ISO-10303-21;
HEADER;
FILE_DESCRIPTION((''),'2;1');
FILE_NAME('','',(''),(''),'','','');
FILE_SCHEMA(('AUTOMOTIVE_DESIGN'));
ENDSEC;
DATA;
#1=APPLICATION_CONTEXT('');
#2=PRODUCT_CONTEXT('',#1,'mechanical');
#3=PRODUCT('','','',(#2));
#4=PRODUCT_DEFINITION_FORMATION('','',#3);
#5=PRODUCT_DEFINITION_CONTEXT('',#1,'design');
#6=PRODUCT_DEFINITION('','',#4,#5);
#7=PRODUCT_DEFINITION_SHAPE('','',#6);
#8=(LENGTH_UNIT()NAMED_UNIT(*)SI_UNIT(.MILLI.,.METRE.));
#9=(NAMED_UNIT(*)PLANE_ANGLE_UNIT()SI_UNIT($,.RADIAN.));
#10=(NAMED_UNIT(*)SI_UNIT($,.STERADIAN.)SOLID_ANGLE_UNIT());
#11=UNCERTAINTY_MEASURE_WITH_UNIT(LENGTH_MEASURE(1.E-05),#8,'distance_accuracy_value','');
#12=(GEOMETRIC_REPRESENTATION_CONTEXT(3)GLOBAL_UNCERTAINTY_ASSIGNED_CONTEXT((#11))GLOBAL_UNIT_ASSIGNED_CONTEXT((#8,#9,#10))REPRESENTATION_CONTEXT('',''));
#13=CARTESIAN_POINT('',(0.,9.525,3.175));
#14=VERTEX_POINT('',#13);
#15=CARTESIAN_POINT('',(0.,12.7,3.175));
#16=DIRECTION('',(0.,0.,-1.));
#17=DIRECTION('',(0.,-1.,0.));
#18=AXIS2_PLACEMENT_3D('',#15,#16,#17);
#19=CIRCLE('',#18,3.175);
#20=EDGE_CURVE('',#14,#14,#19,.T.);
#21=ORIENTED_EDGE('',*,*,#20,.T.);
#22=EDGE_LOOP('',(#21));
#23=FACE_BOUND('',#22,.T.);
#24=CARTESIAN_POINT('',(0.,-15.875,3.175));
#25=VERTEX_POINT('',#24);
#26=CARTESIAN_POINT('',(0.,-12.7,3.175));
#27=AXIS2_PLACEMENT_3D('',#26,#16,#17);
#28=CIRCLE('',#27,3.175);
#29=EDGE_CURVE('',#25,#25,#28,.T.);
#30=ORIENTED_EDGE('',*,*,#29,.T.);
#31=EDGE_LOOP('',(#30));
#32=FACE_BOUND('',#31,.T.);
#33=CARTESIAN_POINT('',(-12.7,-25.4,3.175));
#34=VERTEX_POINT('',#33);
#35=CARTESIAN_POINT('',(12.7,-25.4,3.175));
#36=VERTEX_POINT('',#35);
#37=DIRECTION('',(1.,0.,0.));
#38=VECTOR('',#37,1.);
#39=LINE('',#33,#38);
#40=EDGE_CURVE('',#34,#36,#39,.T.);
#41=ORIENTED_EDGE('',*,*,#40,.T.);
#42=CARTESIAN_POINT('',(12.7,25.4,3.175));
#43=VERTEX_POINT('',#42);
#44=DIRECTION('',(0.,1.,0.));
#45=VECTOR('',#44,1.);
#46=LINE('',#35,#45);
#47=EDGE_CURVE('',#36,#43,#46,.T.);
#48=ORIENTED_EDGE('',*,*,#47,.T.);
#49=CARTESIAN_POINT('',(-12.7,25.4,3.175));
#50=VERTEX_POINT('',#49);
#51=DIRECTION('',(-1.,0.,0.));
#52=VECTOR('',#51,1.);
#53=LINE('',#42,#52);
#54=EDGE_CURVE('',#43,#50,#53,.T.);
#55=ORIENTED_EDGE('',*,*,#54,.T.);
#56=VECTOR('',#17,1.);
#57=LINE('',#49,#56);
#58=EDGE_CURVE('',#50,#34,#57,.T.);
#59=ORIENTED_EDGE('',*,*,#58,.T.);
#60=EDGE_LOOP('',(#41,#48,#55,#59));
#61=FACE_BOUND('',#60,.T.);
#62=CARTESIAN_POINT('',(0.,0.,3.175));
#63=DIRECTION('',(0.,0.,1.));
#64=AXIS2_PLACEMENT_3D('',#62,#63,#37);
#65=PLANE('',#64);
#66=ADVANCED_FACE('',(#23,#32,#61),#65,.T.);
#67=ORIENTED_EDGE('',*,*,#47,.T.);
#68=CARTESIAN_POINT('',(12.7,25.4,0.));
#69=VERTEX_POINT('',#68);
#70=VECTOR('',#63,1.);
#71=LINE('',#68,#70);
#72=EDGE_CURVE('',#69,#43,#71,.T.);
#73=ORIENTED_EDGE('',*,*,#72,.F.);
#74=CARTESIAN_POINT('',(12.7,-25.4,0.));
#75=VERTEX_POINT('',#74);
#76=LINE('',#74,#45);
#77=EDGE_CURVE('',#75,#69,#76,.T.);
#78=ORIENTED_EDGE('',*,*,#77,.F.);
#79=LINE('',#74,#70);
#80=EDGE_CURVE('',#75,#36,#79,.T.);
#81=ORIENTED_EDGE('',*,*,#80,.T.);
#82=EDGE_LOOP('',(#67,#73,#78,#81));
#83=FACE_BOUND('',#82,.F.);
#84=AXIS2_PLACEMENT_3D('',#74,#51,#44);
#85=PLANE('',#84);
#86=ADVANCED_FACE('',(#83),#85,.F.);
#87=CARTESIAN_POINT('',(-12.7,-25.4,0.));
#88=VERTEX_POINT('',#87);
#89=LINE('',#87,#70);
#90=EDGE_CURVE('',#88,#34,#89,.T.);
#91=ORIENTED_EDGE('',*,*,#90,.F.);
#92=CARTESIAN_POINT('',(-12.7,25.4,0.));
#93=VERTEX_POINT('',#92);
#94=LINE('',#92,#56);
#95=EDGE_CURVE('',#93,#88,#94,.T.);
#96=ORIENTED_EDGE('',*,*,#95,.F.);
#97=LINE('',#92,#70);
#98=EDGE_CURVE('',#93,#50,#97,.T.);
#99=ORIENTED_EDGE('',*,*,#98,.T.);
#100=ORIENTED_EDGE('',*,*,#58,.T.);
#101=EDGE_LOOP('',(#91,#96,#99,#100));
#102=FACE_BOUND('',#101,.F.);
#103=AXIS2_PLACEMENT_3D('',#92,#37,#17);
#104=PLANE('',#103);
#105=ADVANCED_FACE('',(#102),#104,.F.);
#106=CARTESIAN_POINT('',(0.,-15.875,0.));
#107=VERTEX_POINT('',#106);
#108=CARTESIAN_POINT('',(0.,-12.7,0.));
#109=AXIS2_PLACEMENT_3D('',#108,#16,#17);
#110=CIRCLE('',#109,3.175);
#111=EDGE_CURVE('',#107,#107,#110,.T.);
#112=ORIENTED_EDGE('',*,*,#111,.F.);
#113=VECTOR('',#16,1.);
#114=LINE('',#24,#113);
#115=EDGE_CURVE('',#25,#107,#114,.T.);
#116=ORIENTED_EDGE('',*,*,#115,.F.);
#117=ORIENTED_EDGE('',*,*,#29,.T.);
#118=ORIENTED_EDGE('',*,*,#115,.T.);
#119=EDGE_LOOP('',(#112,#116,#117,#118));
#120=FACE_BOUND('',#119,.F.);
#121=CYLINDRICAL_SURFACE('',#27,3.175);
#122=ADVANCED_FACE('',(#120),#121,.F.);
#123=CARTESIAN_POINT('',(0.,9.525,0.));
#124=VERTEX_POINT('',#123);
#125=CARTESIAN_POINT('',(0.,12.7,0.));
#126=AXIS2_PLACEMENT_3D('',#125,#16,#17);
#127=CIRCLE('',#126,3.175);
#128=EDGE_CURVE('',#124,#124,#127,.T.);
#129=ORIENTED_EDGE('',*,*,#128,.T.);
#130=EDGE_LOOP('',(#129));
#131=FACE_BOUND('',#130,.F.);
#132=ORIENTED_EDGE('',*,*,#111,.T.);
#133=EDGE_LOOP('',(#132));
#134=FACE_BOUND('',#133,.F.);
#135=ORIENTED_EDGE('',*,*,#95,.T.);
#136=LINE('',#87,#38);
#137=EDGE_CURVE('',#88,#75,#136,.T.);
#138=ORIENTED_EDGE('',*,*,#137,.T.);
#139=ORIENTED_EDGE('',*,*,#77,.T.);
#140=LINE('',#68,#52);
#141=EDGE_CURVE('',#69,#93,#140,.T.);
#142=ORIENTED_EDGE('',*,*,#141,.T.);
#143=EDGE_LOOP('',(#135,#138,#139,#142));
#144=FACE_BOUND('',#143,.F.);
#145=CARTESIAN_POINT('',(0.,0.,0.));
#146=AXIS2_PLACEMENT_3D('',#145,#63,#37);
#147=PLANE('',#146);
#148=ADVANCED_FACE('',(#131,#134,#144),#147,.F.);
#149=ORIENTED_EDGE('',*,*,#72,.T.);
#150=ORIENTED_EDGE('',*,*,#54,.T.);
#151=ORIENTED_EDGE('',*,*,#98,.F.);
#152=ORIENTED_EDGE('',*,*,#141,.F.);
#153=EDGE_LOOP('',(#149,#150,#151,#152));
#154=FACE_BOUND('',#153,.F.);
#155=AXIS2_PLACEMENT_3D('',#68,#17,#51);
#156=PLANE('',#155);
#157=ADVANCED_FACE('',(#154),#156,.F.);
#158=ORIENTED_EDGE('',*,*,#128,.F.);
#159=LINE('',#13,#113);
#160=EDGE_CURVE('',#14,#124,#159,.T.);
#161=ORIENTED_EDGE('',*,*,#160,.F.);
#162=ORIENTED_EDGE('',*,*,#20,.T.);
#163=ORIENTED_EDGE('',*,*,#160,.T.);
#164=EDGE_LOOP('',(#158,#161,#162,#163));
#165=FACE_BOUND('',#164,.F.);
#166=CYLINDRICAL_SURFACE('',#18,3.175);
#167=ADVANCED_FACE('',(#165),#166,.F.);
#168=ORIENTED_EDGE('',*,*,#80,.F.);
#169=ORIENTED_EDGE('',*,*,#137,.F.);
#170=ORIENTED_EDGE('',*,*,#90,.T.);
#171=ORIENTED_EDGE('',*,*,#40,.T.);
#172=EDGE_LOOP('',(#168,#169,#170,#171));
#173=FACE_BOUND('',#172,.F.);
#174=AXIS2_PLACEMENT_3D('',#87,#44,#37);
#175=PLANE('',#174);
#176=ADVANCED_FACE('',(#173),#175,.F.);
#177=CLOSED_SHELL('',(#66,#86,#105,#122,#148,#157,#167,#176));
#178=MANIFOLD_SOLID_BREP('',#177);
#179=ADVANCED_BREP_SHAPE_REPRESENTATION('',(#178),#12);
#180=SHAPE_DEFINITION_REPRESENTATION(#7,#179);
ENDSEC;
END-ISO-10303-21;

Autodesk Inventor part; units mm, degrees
ref_plane "YZ Plane" through (0, 0, 0) normal (1, 0, 0) x (0, 1, 0)
ref_plane "XZ Plane" through (0, 0, 0) normal (0, 1, 0) x (-1, 0, 0)
ref_plane "XY Plane" through (0, 0, 0) normal (0, 0, 1) x (1, 0, 0)
sketch "Sketch1" plane through (0, 0, 0) normal (0, 0, 1) x (1, 0, 0)
  line L0 (-12.7, -25.4) -> (12.7, -25.4)
  line L1 (12.7, -25.4) -> (12.7, 25.4)
  line L2 (12.7, 25.4) -> (-12.7, 25.4)
  line L3 (-12.7, 25.4) -> (-12.7, -25.4)
  line L4 (-12.7, -25.4) -> (12.7, 25.4) construction
  line L5 (12.7, -25.4) -> (-12.7, 25.4) construction
  point P0 (0, 0)
  dimension "d0" = 25.4
  dimension "d1" = 50.8
extrude "Extrusion1" add sketch "Sketch1" along normal blind 3.175
sketch "Sketch2" plane through (0, 0, 3.175) normal (0, 0, 1) x (1, 0, 0)
  line L0 (-12.7, -25.4) -> (12.7, -25.4) projected
  line L1 (12.7, 25.4) -> (-12.7, 25.4) projected
  line L2 (-12.7, 25.4) -> (-12.7, -25.4) projected
  line L3 (0, 25.4) -> (0, 12.7)
  line L4 (0, -25.4) -> (0, -12.7)
  point P0 (0, 0)
  dimension "d4" = 12.7
  dimension "d5" = 12.7
hole "Hole1" at (0, 12.7, 3.175) at (0, -12.7, 3.175) direction (0, 0, -1) diameter 6.35 end through all
properties part number "2 hole plate"
